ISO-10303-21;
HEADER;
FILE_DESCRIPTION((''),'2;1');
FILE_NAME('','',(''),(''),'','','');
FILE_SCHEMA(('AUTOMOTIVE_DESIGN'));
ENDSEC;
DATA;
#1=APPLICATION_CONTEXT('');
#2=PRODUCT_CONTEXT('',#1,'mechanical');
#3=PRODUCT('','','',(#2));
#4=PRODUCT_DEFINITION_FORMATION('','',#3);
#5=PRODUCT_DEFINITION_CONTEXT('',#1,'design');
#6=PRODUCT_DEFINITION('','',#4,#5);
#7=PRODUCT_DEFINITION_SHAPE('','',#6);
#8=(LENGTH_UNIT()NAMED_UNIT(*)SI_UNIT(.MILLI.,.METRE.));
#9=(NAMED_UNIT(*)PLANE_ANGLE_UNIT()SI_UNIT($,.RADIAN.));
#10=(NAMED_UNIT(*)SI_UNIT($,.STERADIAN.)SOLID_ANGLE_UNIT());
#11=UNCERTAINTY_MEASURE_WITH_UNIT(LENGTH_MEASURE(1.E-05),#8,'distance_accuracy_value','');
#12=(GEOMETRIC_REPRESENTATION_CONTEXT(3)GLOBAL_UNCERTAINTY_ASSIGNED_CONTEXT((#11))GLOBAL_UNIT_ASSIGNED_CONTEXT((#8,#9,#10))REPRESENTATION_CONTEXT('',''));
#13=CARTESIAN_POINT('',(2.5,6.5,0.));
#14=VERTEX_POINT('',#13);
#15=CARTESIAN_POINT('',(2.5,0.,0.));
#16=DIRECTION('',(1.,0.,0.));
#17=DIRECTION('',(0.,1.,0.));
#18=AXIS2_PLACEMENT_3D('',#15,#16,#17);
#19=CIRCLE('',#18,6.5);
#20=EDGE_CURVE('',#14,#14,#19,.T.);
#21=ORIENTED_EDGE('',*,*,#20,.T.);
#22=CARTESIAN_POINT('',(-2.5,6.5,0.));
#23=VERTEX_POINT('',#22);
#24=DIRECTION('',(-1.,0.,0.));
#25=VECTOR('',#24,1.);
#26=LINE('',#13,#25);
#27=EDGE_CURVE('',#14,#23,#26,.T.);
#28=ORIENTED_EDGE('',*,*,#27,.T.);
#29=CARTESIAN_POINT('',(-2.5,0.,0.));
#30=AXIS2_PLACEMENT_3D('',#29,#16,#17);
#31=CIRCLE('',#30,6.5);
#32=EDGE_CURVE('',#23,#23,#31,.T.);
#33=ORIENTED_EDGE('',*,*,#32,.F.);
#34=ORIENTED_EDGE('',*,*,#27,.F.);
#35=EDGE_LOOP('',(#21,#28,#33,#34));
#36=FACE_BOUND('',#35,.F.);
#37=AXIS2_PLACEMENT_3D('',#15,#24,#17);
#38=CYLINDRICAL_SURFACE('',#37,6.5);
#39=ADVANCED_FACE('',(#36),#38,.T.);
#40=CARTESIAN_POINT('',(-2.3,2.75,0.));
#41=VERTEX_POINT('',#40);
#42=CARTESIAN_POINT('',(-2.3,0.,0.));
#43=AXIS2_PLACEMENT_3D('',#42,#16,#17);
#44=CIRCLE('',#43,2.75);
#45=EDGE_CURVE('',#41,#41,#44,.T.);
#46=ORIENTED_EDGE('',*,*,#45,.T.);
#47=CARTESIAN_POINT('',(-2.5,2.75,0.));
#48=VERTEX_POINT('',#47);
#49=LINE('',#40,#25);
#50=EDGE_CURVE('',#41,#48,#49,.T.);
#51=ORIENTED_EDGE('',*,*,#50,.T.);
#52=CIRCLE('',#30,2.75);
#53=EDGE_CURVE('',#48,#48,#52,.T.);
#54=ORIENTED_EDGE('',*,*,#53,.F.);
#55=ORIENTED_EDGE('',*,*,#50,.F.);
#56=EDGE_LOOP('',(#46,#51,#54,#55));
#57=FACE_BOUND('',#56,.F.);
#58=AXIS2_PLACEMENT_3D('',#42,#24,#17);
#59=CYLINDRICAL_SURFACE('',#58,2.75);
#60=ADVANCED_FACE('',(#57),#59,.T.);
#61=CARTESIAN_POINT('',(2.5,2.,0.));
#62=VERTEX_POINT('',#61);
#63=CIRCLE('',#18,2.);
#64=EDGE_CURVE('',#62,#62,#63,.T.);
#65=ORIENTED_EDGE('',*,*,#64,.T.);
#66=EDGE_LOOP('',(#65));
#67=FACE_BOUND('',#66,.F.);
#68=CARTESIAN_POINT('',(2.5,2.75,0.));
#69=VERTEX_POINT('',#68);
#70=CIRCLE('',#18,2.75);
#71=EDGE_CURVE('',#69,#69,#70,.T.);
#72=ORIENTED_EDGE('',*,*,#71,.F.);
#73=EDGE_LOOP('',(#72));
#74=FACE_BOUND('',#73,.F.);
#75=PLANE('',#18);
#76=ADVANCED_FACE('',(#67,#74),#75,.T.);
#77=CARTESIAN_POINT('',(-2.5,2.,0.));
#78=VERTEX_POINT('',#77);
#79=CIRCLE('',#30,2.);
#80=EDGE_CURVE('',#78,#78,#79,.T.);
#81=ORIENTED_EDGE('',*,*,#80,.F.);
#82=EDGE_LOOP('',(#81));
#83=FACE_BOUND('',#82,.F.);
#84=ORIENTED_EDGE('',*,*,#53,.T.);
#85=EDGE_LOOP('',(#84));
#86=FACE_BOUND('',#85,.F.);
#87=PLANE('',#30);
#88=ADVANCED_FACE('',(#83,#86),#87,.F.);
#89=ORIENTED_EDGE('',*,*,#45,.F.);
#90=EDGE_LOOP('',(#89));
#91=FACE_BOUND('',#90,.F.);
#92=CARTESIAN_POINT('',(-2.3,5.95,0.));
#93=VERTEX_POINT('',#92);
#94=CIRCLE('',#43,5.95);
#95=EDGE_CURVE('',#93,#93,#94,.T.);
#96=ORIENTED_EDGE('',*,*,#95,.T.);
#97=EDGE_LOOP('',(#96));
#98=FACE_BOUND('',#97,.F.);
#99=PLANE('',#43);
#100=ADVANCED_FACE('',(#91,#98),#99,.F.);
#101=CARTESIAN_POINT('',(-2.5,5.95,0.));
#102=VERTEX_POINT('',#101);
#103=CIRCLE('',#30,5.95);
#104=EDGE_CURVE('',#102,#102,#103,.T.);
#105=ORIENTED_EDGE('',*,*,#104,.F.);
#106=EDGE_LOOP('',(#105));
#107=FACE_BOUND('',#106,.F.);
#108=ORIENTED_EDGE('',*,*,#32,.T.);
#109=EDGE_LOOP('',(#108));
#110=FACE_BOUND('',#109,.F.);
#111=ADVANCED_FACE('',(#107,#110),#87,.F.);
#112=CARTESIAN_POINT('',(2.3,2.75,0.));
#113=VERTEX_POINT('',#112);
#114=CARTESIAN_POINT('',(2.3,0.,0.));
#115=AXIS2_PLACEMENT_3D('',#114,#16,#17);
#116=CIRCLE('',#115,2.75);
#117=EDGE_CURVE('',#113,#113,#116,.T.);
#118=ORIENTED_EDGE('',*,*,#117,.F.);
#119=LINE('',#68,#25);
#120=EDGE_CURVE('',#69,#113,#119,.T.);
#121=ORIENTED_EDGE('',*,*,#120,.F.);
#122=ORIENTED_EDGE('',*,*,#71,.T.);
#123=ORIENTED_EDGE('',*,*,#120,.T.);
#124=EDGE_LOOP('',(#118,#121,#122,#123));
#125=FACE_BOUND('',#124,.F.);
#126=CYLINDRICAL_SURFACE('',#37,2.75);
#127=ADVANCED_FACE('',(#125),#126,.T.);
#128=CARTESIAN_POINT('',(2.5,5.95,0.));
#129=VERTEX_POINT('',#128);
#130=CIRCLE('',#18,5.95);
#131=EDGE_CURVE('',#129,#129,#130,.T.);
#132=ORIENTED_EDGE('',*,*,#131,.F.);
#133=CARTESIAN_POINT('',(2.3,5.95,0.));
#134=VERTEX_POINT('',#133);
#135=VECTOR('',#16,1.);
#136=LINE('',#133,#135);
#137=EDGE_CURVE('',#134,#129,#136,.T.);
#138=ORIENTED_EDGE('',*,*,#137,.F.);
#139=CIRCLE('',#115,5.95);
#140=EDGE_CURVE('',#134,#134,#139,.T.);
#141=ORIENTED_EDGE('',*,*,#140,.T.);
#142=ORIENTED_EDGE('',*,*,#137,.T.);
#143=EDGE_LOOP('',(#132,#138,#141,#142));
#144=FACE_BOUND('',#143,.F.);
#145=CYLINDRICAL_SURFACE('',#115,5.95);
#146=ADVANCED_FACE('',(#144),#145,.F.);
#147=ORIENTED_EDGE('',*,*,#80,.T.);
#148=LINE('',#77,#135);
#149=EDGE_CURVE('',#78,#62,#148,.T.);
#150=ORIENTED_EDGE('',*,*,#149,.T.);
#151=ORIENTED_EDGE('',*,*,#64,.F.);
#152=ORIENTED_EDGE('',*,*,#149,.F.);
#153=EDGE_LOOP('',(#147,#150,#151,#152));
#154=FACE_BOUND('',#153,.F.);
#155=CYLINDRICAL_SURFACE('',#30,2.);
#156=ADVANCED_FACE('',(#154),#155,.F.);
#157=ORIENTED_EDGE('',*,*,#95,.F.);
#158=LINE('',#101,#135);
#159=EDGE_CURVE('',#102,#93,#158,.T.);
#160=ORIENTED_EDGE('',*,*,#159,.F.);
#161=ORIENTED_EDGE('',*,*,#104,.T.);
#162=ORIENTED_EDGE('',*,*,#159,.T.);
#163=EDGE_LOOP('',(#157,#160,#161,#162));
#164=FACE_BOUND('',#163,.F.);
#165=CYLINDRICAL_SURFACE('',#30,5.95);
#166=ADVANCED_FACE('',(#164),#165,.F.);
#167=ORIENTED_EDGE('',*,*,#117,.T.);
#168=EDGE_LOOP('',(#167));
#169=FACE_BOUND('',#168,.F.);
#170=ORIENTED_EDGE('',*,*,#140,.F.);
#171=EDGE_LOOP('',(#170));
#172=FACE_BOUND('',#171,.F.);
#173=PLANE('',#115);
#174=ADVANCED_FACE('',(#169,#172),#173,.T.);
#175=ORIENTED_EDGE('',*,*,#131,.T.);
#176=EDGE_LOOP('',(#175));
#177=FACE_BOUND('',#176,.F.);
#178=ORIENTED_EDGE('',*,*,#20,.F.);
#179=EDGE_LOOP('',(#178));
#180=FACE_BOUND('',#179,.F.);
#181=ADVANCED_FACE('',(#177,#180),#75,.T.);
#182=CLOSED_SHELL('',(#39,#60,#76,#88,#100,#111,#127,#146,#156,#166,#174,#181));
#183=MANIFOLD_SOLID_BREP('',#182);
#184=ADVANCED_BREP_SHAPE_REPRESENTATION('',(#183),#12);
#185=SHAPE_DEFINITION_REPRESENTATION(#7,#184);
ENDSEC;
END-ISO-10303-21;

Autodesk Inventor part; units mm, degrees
ref_plane "YZ Plane" through (0, 0, 0) normal (1, 0, 0) x (0, 1, 0)
ref_plane "XZ Plane" through (0, 0, 0) normal (0, 1, 0) x (-1, 0, 0)
ref_plane "XY Plane" through (0, 0, 0) normal (0, 0, 1) x (1, 0, 0)
sketch "Sketch_1" plane through (0, 0, 0) normal (0, 0, 1) x (1, 0, 0)
  line L0 (50, 0) -> (-50, 0)
  line L1 (-2.5, 5.95) -> (-2.3, 5.95)
  line L2 (-2.3, 5.95) -> (-2.3, 2.75)
  line L3 (-2.3, 2.75) -> (-2.5, 2.75)
  line L4 (-2.5, 2.75) -> (-2.5, 2)
  line L5 (-2.5, 2) -> (2.5, 2)
  line L6 (2.5, 2) -> (2.5, 2.75)
  line L7 (2.5, 2.75) -> (2.3, 2.75)
  line L8 (2.3, 2.75) -> (2.3, 5.95)
  line L9 (2.3, 5.95) -> (2.5, 5.95)
  line L10 (2.5, 5.95) -> (2.5, 6.5)
  line L11 (2.5, 6.5) -> (-2.5, 6.5)
  line L12 (-2.5, 6.5) -> (-2.5, 5.95)
revolve "Revolution1" add sketch "Sketch_1" angle 360 about axis through (50, 0, 0) along (1, 0, 0)
properties part number "riku_mae_bis17_624-ZZ-MAE"
